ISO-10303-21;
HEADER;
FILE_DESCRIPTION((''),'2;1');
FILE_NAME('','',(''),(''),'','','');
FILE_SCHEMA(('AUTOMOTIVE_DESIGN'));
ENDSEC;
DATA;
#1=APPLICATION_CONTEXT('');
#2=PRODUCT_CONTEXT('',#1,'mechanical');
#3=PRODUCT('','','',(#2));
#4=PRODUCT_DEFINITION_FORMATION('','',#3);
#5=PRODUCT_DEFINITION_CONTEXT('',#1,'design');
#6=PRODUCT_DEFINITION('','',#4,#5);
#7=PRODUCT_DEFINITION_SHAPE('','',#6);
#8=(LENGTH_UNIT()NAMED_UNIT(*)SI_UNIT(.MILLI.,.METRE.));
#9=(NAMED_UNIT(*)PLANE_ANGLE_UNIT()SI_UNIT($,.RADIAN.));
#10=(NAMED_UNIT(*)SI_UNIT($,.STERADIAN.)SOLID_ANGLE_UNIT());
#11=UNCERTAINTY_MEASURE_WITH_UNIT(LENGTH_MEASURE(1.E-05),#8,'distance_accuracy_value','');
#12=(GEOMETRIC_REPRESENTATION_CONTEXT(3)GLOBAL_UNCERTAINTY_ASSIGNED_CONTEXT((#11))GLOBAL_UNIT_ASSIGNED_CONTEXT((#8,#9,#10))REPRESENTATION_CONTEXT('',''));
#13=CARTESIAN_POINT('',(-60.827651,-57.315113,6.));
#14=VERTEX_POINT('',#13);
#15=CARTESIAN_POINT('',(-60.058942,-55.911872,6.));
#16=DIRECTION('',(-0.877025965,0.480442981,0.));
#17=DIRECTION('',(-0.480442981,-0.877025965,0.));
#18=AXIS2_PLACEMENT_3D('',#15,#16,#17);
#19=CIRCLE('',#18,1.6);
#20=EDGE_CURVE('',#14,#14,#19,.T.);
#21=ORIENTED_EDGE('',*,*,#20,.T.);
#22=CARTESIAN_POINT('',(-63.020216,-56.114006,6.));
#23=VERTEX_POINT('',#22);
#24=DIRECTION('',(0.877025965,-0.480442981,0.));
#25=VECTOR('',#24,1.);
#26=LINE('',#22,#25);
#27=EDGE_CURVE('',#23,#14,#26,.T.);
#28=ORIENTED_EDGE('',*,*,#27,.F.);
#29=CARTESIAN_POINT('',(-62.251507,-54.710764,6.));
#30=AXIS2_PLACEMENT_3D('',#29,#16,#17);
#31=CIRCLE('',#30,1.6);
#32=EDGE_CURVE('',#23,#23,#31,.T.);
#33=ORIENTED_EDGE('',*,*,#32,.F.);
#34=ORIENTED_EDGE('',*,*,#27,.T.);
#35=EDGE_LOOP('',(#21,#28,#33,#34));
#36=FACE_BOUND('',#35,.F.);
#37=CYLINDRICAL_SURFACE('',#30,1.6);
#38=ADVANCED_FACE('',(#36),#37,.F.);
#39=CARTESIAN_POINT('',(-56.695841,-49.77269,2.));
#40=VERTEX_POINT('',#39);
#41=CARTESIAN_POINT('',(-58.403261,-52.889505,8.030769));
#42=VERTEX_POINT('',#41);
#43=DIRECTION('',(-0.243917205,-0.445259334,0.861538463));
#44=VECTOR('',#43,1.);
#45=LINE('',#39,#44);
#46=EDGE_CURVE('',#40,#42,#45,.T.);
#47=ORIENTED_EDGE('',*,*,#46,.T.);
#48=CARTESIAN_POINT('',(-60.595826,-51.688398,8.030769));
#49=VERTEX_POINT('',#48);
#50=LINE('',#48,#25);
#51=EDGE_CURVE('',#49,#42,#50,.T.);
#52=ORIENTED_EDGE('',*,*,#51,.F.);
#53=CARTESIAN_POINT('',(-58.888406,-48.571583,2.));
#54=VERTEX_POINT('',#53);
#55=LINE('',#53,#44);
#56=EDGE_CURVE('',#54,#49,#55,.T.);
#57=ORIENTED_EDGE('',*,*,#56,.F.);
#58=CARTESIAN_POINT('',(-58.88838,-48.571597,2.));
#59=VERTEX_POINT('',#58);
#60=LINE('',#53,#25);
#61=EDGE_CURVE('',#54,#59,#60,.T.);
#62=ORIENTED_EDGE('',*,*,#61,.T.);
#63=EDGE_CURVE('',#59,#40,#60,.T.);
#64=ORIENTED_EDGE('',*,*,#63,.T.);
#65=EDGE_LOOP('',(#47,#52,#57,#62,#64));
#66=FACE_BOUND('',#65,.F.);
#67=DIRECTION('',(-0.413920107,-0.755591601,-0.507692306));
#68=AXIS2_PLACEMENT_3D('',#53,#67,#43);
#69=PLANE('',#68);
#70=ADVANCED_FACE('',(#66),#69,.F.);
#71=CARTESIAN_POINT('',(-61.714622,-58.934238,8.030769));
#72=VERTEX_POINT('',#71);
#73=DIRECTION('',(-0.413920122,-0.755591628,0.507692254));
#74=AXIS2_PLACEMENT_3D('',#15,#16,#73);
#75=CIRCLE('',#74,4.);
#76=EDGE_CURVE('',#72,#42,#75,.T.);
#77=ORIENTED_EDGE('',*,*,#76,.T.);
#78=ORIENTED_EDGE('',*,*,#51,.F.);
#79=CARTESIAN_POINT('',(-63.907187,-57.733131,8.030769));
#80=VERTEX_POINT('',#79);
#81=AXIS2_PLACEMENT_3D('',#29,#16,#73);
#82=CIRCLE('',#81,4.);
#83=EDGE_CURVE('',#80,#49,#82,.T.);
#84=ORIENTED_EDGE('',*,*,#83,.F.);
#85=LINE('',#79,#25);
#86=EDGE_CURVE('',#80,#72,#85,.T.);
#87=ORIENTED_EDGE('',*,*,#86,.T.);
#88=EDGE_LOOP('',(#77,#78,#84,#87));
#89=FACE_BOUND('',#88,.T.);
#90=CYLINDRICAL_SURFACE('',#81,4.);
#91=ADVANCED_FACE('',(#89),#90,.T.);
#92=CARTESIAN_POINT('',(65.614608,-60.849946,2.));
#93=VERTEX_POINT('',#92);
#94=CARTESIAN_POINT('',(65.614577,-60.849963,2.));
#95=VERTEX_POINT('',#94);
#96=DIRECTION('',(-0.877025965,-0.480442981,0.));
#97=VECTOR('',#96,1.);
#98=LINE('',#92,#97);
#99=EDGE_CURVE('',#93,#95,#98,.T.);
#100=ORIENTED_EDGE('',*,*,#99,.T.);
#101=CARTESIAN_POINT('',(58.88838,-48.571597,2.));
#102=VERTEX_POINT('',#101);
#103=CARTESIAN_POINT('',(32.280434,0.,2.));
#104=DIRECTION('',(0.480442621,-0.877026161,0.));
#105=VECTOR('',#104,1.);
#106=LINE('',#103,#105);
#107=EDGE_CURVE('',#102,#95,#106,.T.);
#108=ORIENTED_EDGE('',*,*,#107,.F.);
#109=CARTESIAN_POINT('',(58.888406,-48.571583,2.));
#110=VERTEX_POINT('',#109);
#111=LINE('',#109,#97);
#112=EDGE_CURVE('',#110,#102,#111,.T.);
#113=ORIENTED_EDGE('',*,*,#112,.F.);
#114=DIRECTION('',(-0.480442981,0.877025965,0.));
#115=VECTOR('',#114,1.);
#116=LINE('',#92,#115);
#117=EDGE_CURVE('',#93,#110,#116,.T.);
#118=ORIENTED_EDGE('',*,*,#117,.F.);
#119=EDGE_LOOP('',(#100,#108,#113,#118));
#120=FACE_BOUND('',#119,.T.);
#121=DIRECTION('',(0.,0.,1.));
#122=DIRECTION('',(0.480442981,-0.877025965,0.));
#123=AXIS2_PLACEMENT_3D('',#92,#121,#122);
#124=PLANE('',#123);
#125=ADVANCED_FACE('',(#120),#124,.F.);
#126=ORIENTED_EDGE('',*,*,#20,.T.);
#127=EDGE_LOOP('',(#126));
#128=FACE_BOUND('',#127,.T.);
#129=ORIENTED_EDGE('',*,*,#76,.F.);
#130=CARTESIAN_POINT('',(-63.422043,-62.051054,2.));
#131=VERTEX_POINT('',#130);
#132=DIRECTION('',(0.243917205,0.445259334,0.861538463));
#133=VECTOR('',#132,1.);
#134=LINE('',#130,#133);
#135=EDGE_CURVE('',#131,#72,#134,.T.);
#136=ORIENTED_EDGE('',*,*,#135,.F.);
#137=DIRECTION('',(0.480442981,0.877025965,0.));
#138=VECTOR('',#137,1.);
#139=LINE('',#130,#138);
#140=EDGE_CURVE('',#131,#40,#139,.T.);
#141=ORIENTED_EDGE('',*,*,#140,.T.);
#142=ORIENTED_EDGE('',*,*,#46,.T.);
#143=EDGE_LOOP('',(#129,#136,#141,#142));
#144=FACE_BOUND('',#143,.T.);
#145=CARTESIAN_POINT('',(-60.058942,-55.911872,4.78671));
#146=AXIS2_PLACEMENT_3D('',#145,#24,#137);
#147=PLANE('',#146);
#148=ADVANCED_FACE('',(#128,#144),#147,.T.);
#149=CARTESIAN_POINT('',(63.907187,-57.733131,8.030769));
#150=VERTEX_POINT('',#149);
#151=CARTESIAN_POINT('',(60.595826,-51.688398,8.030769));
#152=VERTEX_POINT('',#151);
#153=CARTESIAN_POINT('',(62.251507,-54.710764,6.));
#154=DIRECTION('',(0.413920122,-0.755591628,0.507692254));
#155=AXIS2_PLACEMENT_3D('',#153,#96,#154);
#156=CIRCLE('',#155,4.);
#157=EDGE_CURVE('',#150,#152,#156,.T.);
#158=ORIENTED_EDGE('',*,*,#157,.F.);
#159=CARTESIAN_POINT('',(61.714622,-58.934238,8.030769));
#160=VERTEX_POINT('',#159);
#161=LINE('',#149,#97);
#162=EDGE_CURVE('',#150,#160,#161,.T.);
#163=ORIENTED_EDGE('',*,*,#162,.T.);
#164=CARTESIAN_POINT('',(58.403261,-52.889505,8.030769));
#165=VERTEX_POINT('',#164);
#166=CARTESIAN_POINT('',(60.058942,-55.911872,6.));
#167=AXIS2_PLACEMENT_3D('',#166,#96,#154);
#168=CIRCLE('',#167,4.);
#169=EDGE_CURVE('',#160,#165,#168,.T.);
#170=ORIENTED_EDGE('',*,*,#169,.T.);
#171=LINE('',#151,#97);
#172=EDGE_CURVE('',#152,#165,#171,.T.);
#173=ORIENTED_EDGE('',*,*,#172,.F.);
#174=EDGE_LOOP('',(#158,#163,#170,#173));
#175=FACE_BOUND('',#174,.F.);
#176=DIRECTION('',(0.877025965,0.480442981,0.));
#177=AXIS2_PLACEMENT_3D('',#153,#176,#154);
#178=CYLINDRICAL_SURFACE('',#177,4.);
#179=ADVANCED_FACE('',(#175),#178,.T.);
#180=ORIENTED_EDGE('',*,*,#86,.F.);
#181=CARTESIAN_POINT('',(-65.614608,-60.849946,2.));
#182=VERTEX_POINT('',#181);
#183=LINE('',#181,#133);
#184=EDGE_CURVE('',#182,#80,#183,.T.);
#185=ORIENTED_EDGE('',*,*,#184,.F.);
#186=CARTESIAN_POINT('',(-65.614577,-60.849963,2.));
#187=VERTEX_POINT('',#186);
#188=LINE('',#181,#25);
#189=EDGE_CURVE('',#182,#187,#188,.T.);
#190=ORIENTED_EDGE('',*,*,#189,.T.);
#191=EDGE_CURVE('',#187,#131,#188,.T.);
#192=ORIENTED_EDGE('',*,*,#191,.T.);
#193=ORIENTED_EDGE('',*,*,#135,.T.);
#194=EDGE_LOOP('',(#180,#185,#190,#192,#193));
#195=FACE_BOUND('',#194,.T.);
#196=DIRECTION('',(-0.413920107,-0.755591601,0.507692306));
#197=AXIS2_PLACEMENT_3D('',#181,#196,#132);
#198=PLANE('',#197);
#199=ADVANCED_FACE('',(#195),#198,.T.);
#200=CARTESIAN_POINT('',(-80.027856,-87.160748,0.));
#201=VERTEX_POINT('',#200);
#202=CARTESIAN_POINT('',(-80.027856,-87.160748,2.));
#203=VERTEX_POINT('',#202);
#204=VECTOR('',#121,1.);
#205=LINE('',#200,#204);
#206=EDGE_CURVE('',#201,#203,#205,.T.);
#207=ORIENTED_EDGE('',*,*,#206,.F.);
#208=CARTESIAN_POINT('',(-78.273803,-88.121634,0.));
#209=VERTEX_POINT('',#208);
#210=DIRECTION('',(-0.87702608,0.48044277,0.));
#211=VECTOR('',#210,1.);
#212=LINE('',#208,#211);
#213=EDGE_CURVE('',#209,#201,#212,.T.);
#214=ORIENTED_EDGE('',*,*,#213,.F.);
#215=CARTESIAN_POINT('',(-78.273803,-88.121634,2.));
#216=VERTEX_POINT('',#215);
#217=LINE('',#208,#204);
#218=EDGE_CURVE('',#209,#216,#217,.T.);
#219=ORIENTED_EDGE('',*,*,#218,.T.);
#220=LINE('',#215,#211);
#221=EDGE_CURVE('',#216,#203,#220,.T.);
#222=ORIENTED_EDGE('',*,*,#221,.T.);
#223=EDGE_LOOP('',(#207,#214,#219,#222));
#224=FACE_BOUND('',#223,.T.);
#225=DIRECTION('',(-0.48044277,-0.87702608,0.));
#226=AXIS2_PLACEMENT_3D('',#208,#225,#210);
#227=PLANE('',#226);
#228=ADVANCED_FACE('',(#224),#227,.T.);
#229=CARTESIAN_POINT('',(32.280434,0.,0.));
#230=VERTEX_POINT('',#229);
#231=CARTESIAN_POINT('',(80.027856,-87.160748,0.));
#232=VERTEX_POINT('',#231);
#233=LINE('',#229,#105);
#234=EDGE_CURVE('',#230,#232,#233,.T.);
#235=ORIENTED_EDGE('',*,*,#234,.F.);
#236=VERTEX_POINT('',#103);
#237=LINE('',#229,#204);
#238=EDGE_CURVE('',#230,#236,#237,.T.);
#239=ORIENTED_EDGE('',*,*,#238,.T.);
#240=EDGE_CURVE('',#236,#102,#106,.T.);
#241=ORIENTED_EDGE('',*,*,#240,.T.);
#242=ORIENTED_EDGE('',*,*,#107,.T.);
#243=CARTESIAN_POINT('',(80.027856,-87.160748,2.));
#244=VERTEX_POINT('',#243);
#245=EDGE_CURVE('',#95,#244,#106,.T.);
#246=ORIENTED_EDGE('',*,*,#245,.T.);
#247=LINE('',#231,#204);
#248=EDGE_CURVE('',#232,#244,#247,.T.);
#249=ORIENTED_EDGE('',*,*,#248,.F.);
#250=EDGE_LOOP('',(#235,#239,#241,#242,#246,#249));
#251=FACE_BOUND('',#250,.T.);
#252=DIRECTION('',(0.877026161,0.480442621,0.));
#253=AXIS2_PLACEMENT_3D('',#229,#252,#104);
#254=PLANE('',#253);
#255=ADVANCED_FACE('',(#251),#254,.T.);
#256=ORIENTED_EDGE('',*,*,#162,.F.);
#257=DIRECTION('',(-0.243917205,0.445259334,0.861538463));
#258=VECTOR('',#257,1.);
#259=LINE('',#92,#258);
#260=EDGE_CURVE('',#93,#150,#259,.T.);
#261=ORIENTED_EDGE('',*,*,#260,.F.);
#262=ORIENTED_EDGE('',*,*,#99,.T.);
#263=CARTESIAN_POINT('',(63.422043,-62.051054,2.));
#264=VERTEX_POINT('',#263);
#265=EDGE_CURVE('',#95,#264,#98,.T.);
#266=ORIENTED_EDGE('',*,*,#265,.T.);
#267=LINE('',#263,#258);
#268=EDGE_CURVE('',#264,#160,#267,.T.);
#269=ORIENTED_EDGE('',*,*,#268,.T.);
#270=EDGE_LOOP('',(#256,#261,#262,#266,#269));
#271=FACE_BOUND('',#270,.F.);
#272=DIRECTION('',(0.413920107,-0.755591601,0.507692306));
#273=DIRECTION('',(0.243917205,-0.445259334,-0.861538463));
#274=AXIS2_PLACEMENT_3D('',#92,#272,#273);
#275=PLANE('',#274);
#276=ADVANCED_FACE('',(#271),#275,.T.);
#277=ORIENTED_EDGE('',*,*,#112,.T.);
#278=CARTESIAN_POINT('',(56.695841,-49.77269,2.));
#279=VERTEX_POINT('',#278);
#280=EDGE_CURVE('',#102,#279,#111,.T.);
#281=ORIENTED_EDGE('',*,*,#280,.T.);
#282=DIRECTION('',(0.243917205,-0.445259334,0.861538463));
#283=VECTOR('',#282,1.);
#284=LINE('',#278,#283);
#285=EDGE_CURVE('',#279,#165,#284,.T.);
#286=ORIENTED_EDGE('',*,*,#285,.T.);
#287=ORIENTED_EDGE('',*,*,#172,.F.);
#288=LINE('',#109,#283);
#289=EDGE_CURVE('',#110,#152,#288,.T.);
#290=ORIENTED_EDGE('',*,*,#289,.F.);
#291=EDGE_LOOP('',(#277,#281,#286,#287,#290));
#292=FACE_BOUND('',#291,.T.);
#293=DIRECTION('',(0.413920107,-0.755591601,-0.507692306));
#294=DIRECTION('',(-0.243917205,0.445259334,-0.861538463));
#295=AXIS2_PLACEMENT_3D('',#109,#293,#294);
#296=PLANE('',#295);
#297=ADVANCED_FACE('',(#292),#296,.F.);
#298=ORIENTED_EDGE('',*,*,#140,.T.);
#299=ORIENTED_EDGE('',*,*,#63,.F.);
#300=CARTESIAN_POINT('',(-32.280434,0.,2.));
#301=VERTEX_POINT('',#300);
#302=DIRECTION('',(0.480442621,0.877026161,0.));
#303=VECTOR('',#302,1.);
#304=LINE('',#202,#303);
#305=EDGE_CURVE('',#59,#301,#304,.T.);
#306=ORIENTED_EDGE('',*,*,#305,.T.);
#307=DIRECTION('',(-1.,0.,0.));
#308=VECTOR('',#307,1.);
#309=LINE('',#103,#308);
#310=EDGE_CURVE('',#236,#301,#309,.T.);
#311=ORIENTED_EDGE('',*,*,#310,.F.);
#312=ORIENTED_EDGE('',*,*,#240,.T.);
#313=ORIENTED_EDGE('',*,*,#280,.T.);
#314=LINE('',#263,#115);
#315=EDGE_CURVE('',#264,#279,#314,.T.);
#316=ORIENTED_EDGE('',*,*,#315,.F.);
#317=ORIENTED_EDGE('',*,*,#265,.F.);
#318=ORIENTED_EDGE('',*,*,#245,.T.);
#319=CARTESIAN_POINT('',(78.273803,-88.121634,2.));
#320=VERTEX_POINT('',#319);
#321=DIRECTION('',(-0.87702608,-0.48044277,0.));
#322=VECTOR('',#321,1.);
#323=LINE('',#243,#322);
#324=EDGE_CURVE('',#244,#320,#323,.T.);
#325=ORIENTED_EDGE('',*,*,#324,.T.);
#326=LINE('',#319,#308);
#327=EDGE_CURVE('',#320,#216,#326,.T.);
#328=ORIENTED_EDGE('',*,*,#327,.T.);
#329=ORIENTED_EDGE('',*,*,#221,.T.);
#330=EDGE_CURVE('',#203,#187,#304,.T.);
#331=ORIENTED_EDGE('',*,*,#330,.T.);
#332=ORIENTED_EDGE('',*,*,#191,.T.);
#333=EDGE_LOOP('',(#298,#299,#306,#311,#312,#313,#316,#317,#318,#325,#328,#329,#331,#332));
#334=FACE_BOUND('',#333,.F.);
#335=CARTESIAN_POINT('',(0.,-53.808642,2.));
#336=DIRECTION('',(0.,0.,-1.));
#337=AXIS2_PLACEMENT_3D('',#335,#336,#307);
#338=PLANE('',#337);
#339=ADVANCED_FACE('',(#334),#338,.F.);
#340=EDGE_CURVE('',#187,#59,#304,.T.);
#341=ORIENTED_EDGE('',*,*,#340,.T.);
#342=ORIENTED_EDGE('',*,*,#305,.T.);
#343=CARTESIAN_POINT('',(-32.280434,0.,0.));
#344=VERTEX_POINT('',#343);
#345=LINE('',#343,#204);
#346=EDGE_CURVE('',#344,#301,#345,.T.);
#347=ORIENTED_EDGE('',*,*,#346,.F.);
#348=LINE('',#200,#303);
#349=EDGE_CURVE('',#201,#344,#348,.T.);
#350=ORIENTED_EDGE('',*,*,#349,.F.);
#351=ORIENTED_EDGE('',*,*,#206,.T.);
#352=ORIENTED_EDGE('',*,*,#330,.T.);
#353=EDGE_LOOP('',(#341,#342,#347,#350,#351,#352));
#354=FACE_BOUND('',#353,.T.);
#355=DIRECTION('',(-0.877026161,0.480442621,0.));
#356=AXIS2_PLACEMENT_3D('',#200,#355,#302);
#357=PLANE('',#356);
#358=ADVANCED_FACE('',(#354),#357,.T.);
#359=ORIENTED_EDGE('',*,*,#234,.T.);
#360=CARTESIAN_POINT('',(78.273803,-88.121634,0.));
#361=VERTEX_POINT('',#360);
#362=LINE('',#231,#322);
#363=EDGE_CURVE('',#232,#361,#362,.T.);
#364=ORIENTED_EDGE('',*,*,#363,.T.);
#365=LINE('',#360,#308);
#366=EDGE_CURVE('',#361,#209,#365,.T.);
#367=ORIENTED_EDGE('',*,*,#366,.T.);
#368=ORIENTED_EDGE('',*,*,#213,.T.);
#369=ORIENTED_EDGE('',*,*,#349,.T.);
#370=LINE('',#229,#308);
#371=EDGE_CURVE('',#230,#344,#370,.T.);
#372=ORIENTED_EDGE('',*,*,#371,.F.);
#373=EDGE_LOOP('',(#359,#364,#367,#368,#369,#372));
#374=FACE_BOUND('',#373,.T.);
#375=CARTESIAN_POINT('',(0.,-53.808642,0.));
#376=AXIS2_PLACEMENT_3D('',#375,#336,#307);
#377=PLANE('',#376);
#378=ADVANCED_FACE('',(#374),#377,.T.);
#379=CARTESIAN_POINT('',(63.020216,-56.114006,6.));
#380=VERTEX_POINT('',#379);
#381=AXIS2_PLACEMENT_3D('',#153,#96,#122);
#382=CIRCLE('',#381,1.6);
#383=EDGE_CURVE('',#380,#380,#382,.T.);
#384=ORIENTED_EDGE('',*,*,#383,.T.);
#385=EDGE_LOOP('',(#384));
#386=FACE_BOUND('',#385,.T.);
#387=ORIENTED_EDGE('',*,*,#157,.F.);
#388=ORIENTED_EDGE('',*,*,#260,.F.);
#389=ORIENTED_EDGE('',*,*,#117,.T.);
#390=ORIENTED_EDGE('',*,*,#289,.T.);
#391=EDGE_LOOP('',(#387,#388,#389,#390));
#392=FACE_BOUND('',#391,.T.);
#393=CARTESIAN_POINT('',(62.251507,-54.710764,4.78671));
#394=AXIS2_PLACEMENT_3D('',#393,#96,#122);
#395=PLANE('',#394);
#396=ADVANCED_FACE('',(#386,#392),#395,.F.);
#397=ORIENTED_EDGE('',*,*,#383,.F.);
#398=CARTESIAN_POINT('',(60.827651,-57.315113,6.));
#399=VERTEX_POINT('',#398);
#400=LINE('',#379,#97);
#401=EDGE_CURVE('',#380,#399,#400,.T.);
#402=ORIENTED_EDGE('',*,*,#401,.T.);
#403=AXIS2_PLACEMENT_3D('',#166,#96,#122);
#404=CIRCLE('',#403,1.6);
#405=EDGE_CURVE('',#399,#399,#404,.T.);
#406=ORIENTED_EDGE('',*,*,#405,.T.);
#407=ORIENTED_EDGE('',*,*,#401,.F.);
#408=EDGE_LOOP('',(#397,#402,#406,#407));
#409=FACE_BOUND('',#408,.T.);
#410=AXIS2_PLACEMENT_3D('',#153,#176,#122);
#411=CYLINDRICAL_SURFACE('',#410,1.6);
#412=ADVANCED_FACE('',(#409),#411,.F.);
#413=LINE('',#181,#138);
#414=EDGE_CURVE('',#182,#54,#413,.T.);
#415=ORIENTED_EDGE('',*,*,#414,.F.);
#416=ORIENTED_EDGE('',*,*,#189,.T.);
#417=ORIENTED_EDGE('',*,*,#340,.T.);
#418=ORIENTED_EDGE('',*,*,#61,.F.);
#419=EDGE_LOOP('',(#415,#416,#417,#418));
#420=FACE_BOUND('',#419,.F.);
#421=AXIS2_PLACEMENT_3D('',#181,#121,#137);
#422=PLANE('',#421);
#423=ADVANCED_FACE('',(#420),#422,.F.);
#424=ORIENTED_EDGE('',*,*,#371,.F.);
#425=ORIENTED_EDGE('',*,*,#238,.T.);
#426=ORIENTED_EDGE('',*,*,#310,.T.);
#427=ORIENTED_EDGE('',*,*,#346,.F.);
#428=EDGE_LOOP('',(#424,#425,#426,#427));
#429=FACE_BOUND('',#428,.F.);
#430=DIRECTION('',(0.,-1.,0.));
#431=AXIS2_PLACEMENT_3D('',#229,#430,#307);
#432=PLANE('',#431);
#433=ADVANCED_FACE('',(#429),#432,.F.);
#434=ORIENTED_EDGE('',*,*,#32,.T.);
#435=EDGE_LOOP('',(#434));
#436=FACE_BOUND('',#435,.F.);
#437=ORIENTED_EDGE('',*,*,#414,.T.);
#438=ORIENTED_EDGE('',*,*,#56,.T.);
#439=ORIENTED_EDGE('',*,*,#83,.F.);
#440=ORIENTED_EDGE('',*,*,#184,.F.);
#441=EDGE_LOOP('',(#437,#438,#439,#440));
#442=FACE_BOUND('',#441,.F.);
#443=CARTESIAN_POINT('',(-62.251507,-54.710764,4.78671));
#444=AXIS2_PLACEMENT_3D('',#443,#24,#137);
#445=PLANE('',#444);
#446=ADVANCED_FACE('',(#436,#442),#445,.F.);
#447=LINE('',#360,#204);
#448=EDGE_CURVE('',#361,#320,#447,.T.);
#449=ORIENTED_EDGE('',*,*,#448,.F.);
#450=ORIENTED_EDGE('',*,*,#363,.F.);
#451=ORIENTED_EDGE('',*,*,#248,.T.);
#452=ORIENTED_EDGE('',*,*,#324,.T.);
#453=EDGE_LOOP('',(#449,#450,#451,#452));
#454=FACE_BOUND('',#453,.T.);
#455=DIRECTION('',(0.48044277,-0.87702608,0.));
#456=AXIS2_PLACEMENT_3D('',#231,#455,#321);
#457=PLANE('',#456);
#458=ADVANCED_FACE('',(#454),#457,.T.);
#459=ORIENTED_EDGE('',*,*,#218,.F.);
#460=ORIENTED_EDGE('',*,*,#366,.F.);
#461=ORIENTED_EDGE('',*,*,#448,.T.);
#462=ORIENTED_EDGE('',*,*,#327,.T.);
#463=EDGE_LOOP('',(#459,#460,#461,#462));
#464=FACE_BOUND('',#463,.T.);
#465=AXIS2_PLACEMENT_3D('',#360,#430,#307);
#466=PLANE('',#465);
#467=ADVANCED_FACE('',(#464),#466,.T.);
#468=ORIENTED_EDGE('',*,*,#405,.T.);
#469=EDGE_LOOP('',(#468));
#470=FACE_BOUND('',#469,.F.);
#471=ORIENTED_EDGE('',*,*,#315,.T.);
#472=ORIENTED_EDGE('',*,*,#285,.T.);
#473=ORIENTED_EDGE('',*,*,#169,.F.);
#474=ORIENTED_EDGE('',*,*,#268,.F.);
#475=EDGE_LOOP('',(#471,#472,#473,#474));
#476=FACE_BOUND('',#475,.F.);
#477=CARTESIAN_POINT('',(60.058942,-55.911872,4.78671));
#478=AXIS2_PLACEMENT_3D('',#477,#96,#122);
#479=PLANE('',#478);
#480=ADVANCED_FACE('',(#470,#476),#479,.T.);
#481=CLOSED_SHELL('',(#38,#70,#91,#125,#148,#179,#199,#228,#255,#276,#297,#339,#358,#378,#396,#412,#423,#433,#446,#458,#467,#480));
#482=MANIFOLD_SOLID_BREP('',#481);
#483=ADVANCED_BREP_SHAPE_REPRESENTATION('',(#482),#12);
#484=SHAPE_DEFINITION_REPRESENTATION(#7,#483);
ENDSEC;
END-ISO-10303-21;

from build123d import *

# Parameters (mm, degrees)
PAD_DEPTH    = 2
SKETCH001_R  = 1.6
PAD001_DEPTH = 2.5


with BuildPart() as part:
    # Sketch → Pad (new body)
    with BuildSketch(Plane.XY):
        Polygon((-30, 0), (30, 0), (32.280434, 0), (80.027856, -87.160748), (78.273803, -88.121634), (-78.273803, -88.121634), (-80.027856, -87.160748), (-32.280434, 0), align=None)
    extrude(amount=PAD_DEPTH)

    # Sketch001 (on Face1 of Pad) → Pad001 (join)
    with BuildSketch(Plane(origin=(-24.829299, 13.601708, 0), x_dir=(-0.480443, -0.877026, 0), z_dir=(-0.877026, 0.480443, 0))):
        with BuildLine():
            Line((84.891049, 2), (70.891049, 2))
            Line((70.891049, 2), (74.444895, 8.030769))
            ThreePointArc((81.337203, 8.030769), (77.891049, 10), (74.444895, 8.030769))
            Line((84.891049, 2), (81.337203, 8.030769))
        make_face()
        with Locations((77.891049, 6)):
            Circle(SKETCH001_R, mode=Mode.SUBTRACT)
    pad001 = extrude(amount=-PAD001_DEPTH)

    # Mirrored: Pad001 across YZ
    add(pad001.mirror(Plane.YZ))


solid = part.part
